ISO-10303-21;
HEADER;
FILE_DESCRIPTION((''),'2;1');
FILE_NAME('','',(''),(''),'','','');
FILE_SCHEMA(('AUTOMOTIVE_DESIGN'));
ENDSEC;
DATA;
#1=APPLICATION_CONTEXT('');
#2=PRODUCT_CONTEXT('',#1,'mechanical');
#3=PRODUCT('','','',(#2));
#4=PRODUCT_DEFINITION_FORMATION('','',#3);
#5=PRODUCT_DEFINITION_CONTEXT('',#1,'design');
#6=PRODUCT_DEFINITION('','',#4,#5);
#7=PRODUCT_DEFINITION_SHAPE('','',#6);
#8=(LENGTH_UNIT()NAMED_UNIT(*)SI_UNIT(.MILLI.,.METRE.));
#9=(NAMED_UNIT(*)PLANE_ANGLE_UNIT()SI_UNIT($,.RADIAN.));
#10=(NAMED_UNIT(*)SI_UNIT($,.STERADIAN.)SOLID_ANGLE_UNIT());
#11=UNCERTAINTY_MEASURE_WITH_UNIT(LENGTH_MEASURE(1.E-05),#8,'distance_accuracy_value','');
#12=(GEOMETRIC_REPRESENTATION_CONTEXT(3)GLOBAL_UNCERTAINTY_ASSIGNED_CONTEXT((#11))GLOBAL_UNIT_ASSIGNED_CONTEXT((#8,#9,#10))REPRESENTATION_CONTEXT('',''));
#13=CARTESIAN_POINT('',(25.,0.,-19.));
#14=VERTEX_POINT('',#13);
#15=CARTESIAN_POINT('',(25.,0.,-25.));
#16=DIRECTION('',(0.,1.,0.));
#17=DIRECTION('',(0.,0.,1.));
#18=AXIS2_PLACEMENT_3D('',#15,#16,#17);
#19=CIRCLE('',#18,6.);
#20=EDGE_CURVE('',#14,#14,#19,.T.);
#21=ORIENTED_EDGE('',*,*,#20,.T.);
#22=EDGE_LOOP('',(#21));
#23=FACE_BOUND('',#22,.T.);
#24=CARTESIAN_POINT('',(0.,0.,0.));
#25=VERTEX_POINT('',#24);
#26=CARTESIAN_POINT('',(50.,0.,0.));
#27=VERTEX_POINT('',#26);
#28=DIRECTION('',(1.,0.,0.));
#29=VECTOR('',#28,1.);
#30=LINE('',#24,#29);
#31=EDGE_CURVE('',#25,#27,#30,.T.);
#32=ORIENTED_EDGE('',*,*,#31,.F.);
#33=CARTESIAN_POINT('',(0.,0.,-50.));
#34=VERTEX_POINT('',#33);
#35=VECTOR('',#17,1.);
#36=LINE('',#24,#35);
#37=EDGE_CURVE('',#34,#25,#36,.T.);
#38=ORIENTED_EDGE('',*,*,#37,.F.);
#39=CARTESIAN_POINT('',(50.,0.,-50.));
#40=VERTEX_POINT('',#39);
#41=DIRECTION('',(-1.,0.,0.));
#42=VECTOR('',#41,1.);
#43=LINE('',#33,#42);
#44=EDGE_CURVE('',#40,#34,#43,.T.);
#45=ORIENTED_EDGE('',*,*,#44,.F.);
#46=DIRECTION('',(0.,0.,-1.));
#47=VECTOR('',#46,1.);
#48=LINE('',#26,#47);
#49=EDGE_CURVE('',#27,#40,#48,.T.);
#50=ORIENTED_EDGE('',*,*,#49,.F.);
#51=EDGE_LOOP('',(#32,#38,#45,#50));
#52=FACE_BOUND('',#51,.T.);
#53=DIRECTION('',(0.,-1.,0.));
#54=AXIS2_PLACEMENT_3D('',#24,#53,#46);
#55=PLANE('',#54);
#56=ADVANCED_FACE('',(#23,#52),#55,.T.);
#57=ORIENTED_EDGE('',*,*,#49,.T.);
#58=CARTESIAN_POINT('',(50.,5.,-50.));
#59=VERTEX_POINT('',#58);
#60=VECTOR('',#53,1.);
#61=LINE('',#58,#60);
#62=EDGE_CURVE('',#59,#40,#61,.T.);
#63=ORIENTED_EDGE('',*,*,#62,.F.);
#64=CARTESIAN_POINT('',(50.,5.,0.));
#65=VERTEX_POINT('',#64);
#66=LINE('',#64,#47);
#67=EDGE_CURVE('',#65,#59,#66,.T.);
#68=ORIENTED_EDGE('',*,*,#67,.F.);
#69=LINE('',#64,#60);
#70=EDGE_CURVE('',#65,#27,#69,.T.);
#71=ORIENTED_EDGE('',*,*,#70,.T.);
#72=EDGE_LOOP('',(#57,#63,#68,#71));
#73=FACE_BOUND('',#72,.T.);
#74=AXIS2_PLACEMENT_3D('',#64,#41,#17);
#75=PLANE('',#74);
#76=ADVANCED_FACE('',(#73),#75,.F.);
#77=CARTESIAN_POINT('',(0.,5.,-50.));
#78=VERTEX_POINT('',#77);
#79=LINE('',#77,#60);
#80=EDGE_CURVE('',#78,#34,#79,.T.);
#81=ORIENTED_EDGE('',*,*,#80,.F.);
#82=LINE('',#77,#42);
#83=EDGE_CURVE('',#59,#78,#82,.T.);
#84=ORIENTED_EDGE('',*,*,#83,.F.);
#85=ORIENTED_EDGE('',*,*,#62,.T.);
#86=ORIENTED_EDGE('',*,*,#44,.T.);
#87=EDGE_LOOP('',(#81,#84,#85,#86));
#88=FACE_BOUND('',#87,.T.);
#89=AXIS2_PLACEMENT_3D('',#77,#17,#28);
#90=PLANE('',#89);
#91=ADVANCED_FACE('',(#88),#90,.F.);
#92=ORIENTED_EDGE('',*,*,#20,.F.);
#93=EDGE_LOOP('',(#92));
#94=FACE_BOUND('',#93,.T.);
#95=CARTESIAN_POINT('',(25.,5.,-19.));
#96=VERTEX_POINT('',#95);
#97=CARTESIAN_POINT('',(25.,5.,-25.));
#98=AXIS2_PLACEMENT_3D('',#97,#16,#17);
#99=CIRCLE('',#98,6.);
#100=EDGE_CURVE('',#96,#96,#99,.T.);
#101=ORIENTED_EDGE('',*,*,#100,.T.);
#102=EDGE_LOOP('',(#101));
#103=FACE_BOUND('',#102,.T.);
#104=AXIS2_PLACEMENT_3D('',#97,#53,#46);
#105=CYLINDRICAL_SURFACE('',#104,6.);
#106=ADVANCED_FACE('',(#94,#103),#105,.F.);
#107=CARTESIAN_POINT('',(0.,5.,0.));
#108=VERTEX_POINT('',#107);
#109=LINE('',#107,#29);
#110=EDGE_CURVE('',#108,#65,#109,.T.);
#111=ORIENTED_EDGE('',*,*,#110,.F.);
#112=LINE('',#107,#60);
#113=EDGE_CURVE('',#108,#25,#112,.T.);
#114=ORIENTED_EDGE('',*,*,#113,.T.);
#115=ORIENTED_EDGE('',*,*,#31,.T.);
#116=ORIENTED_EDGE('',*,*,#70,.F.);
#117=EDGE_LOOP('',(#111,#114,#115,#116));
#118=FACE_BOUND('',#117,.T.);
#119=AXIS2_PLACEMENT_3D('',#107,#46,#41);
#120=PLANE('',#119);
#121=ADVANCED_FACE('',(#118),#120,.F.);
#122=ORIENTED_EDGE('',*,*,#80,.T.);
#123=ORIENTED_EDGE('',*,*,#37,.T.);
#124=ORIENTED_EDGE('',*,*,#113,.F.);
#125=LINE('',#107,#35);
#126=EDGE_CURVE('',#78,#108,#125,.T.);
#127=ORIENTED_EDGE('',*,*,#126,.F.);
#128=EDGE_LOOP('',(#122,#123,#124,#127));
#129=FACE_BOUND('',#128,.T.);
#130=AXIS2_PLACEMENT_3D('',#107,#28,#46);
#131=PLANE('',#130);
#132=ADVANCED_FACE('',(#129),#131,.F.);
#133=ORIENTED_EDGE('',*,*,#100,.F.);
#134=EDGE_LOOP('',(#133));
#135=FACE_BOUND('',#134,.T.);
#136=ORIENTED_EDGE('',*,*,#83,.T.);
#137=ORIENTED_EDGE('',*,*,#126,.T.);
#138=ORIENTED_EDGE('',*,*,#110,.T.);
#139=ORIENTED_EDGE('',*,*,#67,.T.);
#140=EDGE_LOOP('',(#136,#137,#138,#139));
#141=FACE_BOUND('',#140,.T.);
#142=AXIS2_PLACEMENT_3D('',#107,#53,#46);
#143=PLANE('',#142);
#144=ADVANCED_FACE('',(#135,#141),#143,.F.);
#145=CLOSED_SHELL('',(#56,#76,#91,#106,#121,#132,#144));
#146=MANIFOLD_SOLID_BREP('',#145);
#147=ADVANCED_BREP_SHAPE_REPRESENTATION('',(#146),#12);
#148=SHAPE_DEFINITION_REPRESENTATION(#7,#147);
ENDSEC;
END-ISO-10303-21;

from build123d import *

# Parameters (mm, degrees)
SKETCH_1_W      = 50
SKETCH_1_H      = 50
SKETCH_1_R      = 6
EXTRUDE_1_DEPTH = 5


with BuildPart() as part:
    # Эскиз1 → Бобышка-Вытянуть1 (new body)
    with BuildSketch(Plane(origin=(0, 0, 0), x_dir=(1, 0, 0), z_dir=(0, 1, 0))):
        with Locations((25, 25)):
            Rectangle(SKETCH_1_W, SKETCH_1_H)
        with Locations((25, 25)):
            Circle(SKETCH_1_R, mode=Mode.SUBTRACT)
    extrude(amount=EXTRUDE_1_DEPTH)


solid = part.part
